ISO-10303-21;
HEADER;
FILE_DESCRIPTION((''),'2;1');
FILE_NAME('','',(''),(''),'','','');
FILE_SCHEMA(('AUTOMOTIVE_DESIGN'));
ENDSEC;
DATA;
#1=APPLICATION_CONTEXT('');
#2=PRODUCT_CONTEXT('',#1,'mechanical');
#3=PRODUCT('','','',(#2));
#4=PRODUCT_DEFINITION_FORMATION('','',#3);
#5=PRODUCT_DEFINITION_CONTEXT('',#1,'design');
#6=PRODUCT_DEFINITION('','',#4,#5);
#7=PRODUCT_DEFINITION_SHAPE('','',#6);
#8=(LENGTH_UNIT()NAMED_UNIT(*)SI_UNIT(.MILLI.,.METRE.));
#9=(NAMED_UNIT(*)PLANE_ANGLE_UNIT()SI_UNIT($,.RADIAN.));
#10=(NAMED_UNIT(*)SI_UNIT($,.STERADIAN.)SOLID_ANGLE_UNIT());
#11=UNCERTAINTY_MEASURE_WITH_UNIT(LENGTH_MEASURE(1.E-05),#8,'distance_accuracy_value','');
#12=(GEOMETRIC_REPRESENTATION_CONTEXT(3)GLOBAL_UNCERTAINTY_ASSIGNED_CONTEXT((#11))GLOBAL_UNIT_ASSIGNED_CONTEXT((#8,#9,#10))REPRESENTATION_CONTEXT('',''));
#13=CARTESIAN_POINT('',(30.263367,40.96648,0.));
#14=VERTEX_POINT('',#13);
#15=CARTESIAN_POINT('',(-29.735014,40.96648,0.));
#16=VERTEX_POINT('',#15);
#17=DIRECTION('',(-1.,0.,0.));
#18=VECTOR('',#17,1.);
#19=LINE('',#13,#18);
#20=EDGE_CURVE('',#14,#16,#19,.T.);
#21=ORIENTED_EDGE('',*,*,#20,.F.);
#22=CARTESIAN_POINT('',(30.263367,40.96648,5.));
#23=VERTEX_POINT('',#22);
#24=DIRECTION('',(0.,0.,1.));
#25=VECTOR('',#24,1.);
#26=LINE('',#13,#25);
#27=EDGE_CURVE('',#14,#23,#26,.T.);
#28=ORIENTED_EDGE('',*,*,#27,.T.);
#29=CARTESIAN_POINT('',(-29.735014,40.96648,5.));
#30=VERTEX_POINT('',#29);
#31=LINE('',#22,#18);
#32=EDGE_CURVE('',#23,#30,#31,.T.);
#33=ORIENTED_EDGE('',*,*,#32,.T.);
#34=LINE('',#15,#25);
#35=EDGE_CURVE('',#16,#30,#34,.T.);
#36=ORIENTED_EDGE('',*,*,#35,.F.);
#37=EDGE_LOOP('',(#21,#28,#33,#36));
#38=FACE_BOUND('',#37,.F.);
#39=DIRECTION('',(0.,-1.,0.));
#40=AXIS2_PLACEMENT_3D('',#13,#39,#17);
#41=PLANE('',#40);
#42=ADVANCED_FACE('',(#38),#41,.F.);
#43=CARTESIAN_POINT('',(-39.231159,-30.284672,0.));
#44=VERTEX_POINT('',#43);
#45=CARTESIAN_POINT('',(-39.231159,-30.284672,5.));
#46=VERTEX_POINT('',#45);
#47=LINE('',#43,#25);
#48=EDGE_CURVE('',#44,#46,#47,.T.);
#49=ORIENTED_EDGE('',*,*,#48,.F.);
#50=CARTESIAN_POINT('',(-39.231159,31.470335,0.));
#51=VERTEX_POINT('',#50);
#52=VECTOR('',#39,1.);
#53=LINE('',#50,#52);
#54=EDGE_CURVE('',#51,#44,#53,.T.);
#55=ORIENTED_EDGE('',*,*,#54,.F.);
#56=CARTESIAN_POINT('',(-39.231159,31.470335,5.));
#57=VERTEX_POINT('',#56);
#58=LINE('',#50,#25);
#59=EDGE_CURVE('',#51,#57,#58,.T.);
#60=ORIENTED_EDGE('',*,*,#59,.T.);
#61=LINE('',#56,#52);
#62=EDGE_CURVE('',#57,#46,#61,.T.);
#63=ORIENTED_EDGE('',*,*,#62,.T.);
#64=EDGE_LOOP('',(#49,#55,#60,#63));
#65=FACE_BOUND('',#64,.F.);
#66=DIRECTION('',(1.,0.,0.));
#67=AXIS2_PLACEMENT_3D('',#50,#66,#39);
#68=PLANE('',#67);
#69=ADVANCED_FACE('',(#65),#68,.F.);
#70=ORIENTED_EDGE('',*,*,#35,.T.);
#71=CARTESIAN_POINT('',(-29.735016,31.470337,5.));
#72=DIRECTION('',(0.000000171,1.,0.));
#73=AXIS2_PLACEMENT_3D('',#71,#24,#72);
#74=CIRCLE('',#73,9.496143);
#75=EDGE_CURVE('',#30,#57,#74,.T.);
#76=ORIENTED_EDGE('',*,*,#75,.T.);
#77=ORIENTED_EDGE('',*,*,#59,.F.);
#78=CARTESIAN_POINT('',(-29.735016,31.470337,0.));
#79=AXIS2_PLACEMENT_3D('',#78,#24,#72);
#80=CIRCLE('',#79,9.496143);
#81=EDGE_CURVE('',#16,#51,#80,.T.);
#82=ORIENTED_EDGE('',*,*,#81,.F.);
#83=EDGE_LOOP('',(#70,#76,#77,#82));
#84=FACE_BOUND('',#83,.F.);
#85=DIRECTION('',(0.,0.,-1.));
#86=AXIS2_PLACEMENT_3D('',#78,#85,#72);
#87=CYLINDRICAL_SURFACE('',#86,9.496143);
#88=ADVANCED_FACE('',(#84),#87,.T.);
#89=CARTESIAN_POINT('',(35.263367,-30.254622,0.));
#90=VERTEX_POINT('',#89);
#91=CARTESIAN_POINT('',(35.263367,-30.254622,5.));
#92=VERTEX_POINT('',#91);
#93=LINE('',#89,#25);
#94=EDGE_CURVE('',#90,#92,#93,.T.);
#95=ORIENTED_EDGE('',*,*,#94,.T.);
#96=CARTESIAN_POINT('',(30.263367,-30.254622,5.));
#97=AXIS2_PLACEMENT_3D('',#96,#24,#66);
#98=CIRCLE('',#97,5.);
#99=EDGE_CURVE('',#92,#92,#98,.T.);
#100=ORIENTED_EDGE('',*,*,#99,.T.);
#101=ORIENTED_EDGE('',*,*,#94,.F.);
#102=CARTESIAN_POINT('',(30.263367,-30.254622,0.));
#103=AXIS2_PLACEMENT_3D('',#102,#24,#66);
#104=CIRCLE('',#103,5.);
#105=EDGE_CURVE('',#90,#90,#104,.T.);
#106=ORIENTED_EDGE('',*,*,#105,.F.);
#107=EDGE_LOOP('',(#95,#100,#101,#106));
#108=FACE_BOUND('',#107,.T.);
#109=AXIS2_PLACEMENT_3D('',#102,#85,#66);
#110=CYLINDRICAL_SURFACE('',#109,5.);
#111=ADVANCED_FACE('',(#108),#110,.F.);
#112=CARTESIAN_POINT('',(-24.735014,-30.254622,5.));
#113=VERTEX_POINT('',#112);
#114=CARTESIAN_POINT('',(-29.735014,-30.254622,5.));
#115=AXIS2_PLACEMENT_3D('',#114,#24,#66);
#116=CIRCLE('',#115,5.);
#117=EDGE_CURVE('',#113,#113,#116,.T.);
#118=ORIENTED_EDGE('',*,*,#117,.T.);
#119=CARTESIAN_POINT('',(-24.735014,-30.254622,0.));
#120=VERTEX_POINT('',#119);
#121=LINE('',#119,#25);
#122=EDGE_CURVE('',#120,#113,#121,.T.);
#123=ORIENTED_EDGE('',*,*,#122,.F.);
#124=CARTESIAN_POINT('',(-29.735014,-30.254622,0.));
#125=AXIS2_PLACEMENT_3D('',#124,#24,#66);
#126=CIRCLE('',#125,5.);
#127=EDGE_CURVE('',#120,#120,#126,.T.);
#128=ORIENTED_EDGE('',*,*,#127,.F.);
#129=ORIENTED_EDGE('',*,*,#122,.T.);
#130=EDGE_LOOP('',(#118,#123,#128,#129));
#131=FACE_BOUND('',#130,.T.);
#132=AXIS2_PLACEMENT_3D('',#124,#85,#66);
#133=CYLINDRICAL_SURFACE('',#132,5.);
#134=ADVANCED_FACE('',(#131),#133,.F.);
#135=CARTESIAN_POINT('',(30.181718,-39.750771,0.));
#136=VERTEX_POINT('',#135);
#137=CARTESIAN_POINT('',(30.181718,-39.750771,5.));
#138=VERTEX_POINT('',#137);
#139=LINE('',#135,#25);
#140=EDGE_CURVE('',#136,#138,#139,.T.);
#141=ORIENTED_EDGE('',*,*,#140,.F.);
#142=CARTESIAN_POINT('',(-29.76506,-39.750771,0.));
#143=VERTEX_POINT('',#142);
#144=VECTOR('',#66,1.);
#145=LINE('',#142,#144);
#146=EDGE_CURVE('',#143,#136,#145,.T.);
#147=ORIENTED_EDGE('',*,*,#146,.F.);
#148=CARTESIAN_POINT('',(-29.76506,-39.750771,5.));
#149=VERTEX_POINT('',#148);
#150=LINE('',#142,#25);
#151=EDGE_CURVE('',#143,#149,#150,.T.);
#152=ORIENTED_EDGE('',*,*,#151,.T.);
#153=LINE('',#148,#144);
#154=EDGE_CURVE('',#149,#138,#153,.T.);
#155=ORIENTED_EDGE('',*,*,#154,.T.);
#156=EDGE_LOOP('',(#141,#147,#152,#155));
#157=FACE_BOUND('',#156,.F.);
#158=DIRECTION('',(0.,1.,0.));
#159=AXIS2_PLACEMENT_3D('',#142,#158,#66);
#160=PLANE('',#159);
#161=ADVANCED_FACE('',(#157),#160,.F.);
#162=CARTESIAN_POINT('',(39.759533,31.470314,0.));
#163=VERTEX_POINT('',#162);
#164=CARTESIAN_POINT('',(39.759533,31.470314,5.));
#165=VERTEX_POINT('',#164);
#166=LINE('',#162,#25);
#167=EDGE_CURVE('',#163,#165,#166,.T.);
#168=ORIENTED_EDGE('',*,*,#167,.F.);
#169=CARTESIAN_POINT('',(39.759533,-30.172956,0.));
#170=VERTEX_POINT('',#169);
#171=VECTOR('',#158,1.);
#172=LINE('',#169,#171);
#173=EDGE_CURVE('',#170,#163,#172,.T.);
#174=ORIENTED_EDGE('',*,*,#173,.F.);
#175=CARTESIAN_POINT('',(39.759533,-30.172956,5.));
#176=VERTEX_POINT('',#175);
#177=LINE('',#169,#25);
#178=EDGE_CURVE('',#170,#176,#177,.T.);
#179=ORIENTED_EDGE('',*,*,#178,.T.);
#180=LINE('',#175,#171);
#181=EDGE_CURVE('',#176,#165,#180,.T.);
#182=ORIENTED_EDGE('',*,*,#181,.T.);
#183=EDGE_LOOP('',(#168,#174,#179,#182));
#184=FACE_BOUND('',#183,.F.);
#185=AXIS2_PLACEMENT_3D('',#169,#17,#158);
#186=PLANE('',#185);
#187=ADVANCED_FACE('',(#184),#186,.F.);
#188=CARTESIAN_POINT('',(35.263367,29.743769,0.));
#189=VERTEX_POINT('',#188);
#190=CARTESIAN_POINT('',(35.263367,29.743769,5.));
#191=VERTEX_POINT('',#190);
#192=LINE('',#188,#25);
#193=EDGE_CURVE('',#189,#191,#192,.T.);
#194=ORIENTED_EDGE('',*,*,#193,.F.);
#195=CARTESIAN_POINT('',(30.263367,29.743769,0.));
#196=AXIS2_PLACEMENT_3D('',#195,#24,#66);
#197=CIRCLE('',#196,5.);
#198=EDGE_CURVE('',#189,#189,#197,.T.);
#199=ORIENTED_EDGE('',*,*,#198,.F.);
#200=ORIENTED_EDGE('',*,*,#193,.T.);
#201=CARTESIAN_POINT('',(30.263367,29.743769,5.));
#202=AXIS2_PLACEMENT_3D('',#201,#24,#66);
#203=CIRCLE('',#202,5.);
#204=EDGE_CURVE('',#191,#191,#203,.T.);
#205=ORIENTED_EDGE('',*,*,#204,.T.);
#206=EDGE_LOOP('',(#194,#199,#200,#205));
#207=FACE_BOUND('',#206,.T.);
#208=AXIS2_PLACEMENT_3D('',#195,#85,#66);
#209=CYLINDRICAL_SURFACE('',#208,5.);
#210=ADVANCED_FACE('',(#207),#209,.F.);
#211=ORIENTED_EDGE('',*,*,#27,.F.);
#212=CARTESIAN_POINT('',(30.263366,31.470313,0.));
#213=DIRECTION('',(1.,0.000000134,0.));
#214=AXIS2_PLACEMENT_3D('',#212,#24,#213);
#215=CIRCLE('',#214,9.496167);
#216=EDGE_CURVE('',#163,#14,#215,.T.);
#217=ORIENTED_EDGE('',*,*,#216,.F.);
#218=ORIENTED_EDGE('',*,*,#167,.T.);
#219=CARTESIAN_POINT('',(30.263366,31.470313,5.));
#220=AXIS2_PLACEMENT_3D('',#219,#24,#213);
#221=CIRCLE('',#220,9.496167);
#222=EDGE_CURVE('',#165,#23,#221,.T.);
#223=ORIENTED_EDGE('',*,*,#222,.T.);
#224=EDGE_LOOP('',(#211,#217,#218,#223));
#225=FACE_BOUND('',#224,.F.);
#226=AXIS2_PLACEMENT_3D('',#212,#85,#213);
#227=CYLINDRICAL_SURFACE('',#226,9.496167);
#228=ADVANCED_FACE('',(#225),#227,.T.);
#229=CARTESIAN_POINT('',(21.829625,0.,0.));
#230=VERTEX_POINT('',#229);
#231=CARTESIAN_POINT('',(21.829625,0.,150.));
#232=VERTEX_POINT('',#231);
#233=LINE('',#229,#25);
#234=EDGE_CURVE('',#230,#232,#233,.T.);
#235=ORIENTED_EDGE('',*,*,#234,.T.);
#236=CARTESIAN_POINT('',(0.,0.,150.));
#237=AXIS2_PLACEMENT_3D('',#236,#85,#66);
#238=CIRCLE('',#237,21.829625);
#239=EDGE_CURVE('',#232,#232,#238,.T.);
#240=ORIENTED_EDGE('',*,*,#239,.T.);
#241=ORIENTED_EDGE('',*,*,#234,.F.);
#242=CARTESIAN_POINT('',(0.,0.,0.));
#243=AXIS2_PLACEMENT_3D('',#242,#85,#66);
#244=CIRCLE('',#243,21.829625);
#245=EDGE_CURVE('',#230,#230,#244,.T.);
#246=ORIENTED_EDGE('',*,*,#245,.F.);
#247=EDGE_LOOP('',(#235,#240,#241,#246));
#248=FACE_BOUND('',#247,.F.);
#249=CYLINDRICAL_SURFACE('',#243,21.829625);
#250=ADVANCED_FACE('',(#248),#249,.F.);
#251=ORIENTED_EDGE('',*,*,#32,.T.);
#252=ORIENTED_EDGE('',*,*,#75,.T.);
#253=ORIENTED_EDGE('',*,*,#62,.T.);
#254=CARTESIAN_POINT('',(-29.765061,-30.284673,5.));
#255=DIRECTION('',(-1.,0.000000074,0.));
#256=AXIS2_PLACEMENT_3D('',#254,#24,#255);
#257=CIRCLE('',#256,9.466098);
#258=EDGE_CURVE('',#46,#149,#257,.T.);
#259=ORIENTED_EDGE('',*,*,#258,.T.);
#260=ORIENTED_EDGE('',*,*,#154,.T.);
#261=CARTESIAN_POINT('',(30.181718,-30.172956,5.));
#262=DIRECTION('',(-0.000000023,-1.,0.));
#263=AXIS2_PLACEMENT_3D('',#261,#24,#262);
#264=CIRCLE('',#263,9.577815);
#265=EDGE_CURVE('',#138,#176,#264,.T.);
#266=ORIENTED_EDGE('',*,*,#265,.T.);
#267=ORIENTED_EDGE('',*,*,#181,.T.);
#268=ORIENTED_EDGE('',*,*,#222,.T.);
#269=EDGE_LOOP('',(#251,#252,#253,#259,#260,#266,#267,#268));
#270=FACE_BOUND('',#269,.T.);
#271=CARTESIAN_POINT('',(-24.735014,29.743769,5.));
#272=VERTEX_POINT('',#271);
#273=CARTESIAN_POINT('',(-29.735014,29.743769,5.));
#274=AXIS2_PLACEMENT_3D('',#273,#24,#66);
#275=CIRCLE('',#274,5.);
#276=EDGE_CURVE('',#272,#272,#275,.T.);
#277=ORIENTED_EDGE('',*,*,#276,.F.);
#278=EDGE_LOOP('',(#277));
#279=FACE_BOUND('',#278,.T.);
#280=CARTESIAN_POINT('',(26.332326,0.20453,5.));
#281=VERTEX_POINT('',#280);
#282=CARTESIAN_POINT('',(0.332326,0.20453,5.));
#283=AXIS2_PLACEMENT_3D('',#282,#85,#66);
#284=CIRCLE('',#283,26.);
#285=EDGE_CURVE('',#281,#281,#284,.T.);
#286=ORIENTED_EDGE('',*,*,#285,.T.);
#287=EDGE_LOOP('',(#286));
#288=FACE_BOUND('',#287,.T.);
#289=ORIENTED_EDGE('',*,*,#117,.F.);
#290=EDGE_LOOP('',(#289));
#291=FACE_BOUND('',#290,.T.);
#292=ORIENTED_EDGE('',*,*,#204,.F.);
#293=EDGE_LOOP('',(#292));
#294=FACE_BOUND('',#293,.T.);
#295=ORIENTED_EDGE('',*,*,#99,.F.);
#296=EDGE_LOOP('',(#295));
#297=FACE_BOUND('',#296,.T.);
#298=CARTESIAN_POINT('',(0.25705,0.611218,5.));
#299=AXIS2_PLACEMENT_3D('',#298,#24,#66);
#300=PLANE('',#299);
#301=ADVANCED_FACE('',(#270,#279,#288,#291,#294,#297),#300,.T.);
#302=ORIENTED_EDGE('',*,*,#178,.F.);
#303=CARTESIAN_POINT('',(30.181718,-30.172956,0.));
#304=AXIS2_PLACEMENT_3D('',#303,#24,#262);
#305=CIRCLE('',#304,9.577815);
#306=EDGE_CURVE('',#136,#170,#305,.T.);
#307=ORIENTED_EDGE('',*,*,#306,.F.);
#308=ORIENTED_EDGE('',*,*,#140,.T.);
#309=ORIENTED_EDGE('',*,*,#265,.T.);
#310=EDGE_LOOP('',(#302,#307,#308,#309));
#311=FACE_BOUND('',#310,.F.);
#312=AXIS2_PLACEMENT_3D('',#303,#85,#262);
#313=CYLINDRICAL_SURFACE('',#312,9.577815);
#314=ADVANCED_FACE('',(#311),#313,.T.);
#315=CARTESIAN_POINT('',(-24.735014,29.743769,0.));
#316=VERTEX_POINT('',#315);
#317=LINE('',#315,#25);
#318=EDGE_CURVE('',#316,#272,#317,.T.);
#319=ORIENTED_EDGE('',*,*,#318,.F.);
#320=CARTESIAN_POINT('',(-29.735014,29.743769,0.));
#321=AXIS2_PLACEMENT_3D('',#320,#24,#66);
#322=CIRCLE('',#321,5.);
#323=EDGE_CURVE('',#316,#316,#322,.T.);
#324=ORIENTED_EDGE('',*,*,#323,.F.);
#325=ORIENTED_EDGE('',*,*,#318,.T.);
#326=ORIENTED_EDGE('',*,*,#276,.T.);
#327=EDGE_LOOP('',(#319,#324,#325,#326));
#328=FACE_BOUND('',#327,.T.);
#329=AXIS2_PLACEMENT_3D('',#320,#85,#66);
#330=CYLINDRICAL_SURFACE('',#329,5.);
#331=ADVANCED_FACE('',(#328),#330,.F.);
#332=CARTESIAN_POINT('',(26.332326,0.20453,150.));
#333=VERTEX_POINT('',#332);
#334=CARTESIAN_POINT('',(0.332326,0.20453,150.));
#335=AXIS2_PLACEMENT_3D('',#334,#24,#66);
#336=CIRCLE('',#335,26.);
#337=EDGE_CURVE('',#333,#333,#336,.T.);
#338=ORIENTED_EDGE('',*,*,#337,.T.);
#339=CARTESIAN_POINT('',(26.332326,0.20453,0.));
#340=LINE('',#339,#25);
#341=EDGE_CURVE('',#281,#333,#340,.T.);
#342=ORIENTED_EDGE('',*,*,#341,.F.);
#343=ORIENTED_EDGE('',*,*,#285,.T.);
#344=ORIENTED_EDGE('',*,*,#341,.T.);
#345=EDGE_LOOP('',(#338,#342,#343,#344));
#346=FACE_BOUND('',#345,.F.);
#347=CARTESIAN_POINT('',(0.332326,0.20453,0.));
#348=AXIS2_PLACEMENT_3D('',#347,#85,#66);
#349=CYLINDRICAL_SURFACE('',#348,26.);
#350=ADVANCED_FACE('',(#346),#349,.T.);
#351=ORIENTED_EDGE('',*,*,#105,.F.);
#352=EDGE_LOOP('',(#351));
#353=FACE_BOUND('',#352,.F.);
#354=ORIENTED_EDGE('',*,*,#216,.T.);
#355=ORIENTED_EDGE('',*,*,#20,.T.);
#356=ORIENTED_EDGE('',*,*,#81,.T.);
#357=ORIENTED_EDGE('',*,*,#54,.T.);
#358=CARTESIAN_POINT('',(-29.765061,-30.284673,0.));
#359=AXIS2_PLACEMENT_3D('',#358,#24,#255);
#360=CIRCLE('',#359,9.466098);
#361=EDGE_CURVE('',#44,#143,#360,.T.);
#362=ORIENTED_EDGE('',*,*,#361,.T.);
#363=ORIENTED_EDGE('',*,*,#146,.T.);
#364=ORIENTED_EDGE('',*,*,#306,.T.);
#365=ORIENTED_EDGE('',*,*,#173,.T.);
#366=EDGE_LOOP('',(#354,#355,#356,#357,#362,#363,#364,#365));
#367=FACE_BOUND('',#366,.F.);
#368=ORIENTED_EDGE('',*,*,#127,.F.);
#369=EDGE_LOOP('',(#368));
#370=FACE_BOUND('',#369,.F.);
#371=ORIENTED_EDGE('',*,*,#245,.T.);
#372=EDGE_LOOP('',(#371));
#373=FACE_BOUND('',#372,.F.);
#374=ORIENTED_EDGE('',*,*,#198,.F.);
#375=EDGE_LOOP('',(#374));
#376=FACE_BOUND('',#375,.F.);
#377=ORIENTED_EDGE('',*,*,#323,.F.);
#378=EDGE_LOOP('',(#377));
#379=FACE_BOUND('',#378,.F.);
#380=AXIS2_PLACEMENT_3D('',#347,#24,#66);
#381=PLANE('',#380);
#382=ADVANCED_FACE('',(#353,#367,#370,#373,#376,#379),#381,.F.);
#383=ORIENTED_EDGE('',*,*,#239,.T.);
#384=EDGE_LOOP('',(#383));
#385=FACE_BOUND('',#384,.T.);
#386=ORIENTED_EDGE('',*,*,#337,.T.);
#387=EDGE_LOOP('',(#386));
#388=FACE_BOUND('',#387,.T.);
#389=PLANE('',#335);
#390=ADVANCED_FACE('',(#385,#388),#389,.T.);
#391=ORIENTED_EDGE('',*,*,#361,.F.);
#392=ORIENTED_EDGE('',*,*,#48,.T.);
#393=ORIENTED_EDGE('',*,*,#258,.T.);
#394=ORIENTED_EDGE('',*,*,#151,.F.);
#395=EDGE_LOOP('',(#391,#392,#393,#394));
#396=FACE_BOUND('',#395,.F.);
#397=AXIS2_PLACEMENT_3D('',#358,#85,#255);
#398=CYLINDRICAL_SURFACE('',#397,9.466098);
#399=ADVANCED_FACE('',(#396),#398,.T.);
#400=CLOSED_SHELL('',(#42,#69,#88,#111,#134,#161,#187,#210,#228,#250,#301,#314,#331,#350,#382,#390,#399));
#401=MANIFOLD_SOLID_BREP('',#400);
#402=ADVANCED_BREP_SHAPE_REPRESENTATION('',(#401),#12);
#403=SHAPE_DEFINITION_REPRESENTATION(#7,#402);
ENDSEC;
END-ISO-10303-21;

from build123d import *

# Parameters (mm, degrees)
SKETCH_R     = 5
PAD_DEPTH    = 5
SKETCH002_R  = 26
PAD001_DEPTH = 150
SKETCH001_R  = 21.829625
POCKET_DEPTH = 150


with BuildPart() as part:
    # Sketch → Pad (new body)
    with BuildSketch(Plane.XY):
        with BuildLine():
            Line((-29.76506, -39.750771), (30.181718, -39.750771))
            ThreePointArc((30.181718, -39.750771), (36.954256, -36.945494), (39.759533, -30.172956))
            Line((39.759533, -30.172956), (39.759533, 31.470314))
            ThreePointArc((39.759533, 31.470314), (36.97817, 38.185117), (30.263367, 40.96648))
            Line((30.263367, 40.96648), (-29.735014, 40.96648))
            ThreePointArc((-29.735014, 40.96648), (-36.449803, 38.185124), (-39.231159, 31.470335))
            Line((-39.231159, 31.470335), (-39.231159, -30.284672))
            ThreePointArc((-39.231159, -30.284672), (-36.458603, -36.978215), (-29.76506, -39.750771))
        make_face()
        with Locations((-29.735014, 29.743769)):
            Circle(SKETCH_R, mode=Mode.SUBTRACT)
        with Locations((30.263367, 29.743769)):
            Circle(SKETCH_R, mode=Mode.SUBTRACT)
        with Locations((-29.735014, -30.254622)):
            Circle(SKETCH_R, mode=Mode.SUBTRACT)
        with Locations((30.263367, -30.254622)):
            Circle(SKETCH_R, mode=Mode.SUBTRACT)
    extrude(amount=PAD_DEPTH)

    # Sketch002 → Pad001 (join)
    with BuildSketch(Plane.XY):
        with Locations((0.332326, 0.20453)):
            Circle(SKETCH002_R)
    extrude(amount=PAD001_DEPTH)

    # Sketch001 (on Face13 of Pad) → Pocket (cut)
    with BuildSketch(Plane(origin=(0, 0, 0), x_dir=(1, 0, 0), z_dir=(0, 0, -1))):
        Circle(SKETCH001_R)
    extrude(amount=-POCKET_DEPTH, mode=Mode.SUBTRACT)


solid = part.part
